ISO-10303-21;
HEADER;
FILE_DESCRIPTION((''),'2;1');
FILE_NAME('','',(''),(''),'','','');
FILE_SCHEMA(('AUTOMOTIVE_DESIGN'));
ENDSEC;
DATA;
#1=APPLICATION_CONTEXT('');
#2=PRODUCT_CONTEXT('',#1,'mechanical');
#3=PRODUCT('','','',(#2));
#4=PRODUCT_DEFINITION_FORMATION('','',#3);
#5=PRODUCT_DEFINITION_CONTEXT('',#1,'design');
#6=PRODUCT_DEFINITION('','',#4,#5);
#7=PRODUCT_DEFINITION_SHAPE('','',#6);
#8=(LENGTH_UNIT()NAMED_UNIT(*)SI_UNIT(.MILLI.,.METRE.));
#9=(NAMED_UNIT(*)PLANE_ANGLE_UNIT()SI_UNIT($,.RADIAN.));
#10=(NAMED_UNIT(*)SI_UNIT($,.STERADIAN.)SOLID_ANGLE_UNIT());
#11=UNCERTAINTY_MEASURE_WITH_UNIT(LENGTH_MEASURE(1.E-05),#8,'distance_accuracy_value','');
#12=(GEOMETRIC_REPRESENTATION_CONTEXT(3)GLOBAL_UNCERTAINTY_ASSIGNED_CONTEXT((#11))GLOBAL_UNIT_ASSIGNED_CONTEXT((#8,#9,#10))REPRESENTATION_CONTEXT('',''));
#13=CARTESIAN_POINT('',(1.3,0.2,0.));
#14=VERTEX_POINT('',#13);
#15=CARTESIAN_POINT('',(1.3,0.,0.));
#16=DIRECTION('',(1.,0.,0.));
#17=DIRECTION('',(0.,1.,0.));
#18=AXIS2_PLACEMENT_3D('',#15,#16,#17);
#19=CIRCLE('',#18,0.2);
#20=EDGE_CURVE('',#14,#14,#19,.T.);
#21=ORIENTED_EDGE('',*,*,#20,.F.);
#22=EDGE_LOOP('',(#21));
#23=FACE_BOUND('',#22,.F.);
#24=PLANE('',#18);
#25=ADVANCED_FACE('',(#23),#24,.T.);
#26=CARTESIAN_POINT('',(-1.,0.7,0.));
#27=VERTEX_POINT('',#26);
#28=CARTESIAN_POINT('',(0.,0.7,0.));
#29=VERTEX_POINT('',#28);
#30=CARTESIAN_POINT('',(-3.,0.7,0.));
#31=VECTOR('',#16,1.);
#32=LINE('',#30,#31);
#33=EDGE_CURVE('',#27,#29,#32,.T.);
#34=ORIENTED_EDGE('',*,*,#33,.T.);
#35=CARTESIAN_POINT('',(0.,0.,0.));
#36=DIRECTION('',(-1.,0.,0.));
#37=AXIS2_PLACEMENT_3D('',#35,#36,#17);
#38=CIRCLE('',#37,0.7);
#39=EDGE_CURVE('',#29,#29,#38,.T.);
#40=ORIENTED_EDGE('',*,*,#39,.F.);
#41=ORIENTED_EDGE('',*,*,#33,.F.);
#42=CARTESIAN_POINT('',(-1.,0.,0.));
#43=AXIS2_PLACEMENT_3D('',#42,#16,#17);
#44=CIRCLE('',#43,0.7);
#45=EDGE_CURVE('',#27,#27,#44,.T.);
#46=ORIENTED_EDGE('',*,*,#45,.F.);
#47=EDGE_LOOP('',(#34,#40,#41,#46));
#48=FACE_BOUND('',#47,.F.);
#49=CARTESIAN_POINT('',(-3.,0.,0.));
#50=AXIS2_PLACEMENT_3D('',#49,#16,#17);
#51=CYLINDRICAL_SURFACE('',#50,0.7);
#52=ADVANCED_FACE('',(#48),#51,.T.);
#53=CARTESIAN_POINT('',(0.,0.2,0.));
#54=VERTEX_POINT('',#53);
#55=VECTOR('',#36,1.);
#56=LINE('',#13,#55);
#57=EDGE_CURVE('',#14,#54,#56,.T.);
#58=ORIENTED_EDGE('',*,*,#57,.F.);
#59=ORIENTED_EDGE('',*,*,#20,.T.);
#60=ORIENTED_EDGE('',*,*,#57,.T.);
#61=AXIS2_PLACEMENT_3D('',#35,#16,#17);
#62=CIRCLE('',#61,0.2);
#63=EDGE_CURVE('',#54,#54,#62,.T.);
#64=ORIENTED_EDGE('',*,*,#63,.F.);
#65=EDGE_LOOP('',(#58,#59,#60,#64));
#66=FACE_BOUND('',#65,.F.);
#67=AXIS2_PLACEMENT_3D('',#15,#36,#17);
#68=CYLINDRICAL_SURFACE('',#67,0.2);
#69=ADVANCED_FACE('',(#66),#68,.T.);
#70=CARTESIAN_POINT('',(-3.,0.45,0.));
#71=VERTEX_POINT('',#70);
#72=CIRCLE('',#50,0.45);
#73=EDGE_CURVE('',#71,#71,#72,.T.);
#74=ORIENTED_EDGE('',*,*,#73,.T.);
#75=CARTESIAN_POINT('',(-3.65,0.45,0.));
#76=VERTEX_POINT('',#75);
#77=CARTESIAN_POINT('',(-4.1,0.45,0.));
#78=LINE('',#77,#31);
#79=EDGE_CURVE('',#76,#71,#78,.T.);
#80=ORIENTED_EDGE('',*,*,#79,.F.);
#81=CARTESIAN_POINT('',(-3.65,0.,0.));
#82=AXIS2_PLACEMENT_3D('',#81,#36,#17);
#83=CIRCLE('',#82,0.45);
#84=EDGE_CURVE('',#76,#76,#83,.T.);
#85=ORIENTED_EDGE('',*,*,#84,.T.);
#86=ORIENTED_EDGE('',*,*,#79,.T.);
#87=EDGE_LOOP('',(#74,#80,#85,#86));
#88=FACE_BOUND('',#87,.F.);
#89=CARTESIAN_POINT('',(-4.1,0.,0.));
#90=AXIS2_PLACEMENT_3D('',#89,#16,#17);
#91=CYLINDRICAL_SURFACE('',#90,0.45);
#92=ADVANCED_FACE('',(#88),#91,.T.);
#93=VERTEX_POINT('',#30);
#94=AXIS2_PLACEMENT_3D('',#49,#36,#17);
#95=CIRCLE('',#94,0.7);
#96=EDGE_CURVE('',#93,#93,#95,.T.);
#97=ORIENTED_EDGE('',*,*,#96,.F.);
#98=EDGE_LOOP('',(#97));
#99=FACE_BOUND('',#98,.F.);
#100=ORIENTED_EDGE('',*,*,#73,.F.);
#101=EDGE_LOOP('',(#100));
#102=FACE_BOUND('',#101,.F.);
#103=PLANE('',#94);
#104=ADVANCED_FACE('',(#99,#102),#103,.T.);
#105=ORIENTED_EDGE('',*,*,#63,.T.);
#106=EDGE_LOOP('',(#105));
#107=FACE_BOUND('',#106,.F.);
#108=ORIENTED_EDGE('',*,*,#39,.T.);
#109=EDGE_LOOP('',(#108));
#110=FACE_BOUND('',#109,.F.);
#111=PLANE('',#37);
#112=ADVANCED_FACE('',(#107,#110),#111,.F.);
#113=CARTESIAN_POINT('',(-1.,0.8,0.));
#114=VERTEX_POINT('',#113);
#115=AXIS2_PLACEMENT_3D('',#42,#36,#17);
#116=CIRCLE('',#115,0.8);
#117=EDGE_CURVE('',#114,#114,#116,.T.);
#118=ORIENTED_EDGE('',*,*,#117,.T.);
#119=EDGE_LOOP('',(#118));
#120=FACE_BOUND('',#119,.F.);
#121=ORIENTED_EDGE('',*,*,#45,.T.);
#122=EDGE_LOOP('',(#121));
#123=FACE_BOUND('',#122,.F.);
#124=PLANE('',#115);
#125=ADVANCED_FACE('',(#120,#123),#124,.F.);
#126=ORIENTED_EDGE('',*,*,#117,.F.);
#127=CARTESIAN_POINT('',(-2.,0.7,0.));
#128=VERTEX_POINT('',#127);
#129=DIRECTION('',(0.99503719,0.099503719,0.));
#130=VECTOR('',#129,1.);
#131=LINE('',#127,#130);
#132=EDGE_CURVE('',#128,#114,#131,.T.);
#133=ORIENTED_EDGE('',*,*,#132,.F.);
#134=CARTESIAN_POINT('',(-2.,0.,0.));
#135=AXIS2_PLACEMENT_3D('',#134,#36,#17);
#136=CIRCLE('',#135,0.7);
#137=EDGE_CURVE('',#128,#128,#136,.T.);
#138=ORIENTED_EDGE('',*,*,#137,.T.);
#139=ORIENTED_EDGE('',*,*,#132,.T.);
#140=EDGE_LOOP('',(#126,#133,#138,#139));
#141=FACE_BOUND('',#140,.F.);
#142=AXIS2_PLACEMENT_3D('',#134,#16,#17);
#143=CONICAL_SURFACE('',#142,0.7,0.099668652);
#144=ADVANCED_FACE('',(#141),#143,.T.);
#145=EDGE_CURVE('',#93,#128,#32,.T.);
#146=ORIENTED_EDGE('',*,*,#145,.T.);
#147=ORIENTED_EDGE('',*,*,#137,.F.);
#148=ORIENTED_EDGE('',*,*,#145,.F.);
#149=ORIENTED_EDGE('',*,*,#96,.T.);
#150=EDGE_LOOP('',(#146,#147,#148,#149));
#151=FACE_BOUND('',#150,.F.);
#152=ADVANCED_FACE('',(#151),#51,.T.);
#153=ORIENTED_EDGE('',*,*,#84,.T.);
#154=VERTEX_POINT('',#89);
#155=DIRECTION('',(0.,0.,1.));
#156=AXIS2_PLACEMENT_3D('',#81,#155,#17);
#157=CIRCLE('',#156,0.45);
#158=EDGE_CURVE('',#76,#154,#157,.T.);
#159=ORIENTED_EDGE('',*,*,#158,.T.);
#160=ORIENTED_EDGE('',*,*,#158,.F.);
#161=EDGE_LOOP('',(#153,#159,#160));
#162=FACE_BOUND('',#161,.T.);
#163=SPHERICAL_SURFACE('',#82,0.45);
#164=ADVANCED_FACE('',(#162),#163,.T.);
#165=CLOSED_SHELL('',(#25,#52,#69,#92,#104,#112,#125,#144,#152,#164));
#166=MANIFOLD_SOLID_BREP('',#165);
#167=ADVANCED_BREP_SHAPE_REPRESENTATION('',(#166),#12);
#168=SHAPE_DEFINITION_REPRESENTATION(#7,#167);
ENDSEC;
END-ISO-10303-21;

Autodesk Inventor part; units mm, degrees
ref_plane "YZ Plane" through (0, 0, 0) normal (1, 0, 0) x (0, 1, 0)
ref_plane "XZ Plane" through (0, 0, 0) normal (0, 1, 0) x (-1, 0, 0)
ref_plane "XY Plane" through (0, 0, 0) normal (0, 0, 1) x (1, 0, 0)
sketch "スケッチ1" plane through (0, 0, 0) normal (0, 0, 1) x (1, 0, 0)
  line L0 (0, 0) -> (-4.1, 0)
  line L1 (-4.1, 0) -> (-4.1, 0.45)
  line L2 (-4.1, 0.45) -> (0, 0.45)
  line L3 (0, 0.45) -> (0, 0)
  dimension "d0" = 4.1
  dimension "d1" = 0.45
revolve "回転1" add sketch "スケッチ1" angle 360 about axis through (0, 0, 0) along (-1, 0, 0)
sketch "スケッチ2" plane through (0, 0, 0) normal (0, 0, 1) x (1, 0, 0)
  line L0 (0, 0) -> (1.3, 0)
  line L1 (1.3, 0) -> (1.3, 0.2)
  line L2 (1.3, 0.2) -> (0, 0.2)
  line L3 (0, 0.2) -> (0, 0)
  dimension "d3" = 1.3
  dimension "d4" = 0.2
revolve "回転2" add sketch "スケッチ2" angle 360 about axis through (0, 0, 0) along (1, 0, 0)
sketch "スケッチ3" plane through (0, 0, 0) normal (0, 0, 1) x (1, 0, 0)
  line L0 (0, 0) -> (-3, 0)
  line L1 (-3, 0) -> (-3, 0.7)
  line L2 (-3, 0.7) -> (0, 0.7)
  line L3 (0, 0.7) -> (0, 0)
  dimension "d6" = 3
  dimension "d7" = 0.7
revolve "回転3" add sketch "スケッチ3" angle 360 about axis through (0, 0, 0) along (-1, 0, 0)
sketch "スケッチ4" plane through (0, 0, 0) normal (0, 0, 1) x (1, 0, 0)
  line L0 (-2, 0) -> (-2, 0.7)
  line L1 (-2, 0.7) -> (-1, 0.8)
  line L2 (-1, 0.8) -> (-1, 0)
  line L3 (-1, 0) -> (-2, 0)
  line L4 (0, -5.0705) -> (0, 2.4355) projected
  line L5 (-5.18, 0) -> (2.38, 0) projected
  point P0 (0, 0)
  dimension "d9" = 2
  dimension "d10" = 1
  dimension "d11" = 0.7
  dimension "d12" = 0.8
revolve "回転4" add sketch "スケッチ4" angle 360 about axis through (-1, 0, 0) along (-1, 0, 0)
fillet "フィレット1" radius 0.45 1 edges at (-4.1, -0.45, 0)
properties part number "VN-3-1"
